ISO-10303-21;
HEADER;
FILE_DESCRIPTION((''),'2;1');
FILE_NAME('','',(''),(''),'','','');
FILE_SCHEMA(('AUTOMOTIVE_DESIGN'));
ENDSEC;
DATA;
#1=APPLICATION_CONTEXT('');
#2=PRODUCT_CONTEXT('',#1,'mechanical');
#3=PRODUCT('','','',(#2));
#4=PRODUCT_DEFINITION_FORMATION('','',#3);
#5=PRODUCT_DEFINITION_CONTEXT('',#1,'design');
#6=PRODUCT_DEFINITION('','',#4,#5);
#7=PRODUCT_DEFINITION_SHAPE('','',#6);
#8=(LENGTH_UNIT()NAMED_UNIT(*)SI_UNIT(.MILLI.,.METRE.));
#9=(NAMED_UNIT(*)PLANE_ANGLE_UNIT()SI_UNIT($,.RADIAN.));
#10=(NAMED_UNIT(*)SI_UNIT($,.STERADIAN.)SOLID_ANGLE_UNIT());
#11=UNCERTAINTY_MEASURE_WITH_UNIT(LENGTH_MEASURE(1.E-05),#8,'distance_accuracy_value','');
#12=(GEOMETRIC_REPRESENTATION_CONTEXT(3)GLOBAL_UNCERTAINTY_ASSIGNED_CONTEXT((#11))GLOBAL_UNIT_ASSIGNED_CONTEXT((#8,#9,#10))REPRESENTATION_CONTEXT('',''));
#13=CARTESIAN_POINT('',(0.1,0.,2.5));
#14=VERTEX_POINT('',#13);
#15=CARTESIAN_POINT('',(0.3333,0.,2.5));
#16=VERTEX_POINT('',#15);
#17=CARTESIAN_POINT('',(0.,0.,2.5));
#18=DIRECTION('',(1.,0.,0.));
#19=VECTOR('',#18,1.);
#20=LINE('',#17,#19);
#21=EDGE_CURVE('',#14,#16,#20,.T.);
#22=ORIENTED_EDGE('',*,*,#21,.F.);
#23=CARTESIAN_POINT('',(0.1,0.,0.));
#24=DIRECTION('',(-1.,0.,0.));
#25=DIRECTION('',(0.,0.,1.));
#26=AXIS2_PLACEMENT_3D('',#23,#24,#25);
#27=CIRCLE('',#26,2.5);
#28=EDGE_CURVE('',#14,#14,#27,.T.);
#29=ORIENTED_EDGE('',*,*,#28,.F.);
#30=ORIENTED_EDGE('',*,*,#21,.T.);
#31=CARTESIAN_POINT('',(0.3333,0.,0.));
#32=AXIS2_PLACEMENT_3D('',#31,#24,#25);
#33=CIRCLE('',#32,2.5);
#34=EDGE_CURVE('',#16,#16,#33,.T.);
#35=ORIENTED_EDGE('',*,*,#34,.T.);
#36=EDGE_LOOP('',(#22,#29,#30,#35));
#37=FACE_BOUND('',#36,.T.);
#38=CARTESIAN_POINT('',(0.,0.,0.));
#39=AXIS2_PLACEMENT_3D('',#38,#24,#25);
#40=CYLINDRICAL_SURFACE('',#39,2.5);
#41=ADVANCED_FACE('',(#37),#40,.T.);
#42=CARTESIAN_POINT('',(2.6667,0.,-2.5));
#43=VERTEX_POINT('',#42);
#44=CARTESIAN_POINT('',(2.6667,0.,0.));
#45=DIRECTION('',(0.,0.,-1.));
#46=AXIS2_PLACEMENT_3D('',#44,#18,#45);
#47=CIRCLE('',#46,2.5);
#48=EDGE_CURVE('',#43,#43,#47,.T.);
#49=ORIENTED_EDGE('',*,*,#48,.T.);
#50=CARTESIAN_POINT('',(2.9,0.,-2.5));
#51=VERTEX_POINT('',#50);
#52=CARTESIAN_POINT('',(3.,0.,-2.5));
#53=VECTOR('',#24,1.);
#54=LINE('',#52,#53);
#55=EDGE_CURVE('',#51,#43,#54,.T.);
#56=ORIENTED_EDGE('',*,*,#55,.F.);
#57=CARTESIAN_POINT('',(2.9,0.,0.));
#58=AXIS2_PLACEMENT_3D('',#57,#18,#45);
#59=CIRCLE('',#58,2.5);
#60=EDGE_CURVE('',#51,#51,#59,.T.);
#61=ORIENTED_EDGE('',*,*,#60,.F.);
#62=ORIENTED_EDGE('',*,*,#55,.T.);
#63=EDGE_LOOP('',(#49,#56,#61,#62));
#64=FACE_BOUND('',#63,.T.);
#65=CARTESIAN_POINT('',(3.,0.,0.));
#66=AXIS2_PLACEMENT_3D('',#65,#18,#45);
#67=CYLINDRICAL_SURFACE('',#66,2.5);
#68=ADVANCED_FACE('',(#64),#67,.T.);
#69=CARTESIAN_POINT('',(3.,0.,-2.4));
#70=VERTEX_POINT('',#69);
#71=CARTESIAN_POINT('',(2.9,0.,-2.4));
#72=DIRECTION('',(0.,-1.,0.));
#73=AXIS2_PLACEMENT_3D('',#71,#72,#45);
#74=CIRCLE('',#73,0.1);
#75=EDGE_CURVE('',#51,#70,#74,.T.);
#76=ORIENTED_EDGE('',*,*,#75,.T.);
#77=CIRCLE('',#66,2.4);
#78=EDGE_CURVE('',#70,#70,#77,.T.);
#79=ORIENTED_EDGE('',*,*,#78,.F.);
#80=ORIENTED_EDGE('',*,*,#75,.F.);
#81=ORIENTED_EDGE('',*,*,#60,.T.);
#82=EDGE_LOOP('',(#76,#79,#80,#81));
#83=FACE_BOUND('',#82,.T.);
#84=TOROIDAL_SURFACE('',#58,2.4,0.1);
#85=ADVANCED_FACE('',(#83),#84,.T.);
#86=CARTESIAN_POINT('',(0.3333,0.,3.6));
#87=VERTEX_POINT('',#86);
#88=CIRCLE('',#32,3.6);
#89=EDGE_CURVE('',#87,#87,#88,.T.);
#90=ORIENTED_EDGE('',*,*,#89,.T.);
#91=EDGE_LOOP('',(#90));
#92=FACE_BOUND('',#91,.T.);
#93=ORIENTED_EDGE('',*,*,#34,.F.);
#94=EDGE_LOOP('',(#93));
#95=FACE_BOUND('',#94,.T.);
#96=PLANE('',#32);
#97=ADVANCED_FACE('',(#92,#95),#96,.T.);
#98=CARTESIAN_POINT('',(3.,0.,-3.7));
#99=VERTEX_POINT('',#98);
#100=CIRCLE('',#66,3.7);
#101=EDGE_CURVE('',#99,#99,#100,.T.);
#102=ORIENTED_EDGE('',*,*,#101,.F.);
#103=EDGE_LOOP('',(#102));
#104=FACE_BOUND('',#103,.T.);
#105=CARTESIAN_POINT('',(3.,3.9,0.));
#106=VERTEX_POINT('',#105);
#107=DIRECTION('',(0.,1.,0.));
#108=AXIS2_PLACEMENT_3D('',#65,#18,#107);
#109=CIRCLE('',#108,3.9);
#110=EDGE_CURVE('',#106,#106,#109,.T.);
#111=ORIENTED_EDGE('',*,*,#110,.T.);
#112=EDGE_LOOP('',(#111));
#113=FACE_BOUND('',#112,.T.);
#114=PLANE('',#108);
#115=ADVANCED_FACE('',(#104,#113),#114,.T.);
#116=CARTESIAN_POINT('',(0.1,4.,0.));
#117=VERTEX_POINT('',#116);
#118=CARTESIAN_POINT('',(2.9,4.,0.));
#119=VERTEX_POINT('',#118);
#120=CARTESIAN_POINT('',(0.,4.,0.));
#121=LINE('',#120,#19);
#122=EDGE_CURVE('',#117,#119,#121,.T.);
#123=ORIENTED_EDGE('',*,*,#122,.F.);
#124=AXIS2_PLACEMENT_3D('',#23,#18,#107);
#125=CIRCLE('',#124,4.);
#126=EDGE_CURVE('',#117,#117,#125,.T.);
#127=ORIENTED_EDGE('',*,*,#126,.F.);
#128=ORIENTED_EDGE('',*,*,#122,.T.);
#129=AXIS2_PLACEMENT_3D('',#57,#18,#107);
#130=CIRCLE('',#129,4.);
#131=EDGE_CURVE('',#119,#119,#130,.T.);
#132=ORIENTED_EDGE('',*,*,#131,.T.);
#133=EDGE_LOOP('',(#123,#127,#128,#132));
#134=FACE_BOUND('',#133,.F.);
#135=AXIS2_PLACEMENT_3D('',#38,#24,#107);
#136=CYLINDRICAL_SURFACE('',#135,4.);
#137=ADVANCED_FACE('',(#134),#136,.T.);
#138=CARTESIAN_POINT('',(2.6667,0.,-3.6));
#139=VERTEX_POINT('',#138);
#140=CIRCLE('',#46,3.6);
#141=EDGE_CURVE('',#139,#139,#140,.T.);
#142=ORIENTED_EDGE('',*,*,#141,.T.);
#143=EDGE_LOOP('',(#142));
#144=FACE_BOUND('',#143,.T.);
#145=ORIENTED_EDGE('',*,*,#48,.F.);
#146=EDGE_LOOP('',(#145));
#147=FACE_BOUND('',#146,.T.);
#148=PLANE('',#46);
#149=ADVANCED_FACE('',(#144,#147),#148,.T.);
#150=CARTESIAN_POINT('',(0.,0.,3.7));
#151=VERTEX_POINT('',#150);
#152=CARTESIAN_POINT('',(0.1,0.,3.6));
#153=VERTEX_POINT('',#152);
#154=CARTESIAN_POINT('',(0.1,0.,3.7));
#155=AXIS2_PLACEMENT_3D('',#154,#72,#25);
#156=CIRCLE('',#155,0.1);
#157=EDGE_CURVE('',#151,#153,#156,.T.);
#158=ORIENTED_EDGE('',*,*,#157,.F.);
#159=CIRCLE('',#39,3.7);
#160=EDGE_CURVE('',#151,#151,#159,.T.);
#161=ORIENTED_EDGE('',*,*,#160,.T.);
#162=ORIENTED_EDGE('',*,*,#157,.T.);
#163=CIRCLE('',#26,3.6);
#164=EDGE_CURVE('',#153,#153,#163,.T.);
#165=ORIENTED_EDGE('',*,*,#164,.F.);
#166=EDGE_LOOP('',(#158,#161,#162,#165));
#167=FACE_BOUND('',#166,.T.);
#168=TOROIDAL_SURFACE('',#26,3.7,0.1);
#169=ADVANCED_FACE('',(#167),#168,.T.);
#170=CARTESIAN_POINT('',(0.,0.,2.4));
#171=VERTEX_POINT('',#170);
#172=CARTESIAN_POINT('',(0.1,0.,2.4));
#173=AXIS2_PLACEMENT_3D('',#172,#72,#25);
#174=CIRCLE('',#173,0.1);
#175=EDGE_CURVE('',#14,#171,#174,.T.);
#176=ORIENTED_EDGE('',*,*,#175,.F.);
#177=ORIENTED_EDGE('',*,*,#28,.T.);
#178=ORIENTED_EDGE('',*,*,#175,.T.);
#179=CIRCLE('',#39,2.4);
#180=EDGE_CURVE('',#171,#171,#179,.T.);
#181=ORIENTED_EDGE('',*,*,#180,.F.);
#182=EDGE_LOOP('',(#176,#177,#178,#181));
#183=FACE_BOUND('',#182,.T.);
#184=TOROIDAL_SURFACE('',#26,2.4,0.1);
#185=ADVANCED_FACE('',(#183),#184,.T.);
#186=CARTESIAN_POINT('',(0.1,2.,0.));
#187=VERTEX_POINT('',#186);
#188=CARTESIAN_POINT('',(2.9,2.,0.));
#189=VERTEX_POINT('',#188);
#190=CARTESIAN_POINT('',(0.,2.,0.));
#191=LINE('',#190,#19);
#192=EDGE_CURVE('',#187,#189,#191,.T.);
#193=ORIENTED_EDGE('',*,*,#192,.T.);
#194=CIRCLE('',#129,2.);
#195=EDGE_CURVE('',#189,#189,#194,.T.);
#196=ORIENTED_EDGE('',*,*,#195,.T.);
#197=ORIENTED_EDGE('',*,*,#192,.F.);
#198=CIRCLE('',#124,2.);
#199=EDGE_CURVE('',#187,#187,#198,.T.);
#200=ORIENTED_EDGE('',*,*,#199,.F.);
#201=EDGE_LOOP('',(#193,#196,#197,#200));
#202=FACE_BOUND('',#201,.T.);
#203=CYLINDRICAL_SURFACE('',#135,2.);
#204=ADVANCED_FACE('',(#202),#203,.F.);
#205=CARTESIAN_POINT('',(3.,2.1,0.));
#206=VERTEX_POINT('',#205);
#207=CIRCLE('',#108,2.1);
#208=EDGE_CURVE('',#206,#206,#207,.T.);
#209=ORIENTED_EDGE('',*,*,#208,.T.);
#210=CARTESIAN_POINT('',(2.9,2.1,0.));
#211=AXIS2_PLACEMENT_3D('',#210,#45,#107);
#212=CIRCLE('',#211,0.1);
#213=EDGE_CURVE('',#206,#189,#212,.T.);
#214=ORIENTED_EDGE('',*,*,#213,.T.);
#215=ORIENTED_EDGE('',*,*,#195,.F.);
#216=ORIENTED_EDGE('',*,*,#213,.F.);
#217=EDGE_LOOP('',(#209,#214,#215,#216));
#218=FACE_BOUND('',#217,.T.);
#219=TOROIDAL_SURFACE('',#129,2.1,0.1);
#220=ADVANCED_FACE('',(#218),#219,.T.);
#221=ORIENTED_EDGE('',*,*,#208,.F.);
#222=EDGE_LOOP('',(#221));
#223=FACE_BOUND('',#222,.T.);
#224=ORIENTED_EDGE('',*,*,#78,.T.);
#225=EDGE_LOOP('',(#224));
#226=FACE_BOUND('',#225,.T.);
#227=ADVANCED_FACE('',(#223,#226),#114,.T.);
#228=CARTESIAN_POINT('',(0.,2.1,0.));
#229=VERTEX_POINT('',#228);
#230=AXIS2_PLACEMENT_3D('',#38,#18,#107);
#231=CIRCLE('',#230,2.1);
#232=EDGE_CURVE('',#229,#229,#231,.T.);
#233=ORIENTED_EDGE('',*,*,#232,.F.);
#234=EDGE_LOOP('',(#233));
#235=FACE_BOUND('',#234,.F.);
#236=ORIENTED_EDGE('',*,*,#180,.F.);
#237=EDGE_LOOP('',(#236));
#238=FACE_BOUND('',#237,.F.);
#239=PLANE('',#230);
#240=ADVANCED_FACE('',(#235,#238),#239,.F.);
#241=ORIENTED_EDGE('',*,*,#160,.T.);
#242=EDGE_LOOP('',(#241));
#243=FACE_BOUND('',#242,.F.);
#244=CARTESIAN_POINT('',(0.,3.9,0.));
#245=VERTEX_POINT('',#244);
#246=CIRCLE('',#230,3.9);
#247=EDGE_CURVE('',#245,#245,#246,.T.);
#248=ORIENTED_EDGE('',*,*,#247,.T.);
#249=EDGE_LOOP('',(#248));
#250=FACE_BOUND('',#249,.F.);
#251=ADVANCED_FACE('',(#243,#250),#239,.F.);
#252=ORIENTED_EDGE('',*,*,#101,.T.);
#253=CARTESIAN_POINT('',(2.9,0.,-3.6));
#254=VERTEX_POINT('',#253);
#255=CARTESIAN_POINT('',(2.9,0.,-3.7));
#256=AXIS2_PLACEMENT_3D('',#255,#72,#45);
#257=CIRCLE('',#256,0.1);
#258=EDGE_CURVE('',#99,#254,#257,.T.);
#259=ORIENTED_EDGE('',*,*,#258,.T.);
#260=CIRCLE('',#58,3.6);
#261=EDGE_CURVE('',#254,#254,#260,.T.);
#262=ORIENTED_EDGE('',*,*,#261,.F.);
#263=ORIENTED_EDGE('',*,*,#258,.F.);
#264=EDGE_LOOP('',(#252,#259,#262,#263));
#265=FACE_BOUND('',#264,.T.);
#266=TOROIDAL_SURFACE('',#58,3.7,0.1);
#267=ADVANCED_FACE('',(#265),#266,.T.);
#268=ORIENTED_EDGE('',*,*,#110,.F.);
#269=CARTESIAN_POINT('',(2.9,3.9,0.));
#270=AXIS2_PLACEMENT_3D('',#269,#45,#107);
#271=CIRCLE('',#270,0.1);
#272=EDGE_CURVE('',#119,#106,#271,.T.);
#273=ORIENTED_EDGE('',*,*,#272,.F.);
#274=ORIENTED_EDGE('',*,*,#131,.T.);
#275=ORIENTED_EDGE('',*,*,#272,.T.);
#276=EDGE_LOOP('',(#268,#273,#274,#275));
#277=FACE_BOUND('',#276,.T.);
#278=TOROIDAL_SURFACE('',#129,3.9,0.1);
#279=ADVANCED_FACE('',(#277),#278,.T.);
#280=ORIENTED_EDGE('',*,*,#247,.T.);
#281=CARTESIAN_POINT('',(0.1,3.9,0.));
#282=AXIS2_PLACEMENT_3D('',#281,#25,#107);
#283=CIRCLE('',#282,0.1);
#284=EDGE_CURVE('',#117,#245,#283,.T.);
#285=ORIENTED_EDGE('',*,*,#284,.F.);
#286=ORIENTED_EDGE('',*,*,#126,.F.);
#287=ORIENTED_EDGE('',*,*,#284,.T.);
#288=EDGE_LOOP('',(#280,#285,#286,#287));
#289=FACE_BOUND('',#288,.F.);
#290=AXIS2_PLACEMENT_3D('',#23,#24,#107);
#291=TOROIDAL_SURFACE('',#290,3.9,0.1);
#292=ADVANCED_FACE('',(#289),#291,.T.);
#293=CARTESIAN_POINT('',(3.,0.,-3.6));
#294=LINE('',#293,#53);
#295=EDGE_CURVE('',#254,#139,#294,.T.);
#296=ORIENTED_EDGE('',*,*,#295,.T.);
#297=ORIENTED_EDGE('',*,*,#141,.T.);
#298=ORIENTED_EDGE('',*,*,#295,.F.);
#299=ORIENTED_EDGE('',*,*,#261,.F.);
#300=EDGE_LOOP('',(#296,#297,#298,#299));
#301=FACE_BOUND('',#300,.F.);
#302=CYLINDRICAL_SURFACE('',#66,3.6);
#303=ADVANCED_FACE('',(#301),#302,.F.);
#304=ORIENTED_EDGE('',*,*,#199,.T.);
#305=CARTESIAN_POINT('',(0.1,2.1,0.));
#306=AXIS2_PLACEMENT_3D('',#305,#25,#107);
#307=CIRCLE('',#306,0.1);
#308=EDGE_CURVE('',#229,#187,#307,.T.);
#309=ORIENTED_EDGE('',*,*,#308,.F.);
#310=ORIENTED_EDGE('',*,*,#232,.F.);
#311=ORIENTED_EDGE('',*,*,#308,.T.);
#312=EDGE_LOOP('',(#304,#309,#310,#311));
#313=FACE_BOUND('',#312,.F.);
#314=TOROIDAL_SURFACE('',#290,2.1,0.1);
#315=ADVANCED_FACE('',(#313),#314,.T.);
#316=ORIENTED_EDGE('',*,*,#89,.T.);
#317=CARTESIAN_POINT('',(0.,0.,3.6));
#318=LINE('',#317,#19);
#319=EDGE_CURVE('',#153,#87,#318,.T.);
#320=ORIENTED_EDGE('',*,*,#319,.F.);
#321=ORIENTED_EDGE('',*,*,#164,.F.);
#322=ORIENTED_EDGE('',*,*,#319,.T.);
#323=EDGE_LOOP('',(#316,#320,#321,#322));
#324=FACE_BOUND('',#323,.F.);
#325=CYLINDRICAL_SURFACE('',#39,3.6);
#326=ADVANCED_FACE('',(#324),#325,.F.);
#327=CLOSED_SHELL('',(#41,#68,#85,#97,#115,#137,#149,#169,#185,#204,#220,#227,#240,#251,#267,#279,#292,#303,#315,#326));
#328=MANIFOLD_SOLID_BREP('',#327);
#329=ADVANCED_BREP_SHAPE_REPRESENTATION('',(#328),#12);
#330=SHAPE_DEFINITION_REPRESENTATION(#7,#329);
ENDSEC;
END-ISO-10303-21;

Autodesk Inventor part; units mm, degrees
ref_plane "YZ Plane" through (0, 0, 0) normal (1, 0, 0) x (0, 1, 0)
ref_plane "XZ Plane" through (0, 0, 0) normal (0, 1, 0) x (-1, 0, 0)
ref_plane "XY Plane" through (0, 0, 0) normal (0, 0, 1) x (1, 0, 0)
sketch "Эскиз1" plane through (0, 0, 0) normal (1, 0, 0) x (0, 1, 0)
  circle A0 centre (0, 0) radius 2
  circle A1 centre (0, 0) radius 4
  dimension "d0" = 4
  dimension "d1" = 8
extrude "Выдавливание1" add sketch "Эскиз1" along normal blind 3
sketch "Эскиз2" plane through (3, 0, 0) normal (1, 0, 0) x (0, 0, -1)
  circle A0 centre (0, 0) radius 2.5
  circle A1 centre (0, 0) radius 3.6
  circle A2 centre (0, 0) radius 4 projected
  circle A3 centre (0, 0) radius 2 projected
  dimension "d4" = 5
  dimension "d5" = 7.2
  dimension "d15" = 8
  dimension "d16" = 4
extrude "Выдавливание2" cut sketch "Эскиз2" against normal blind 0.3333 contours A1
sketch "Эскиз3" plane through (0, 0, 0) normal (-1, 0, 0) x (0, 0, 1)
  circle A0 centre (0, 0) radius 2.5 projected
  circle A1 centre (0, 0) radius 3.6 projected
  circle A2 centre (0, 0) radius 2.5
  circle A3 centre (0, 0) radius 3.6
extrude "Выдавливание3" cut sketch "Эскиз3" against normal blind 0.3333
fillet "Сопряжение1" radius 0.1 8 edges at (3, -4, 0) (3, 0, 3.6) (3, 0, 2.5) (3, -2, 0) (0, -4, 0) (0, 0, -3.6) (0, 0, -2.5) (0, -2, 0)
equation "\"d4\" = 1.25 * d16"
equation "\"d5\" = 0.9 * d15"
equation "\"d6\" = 0.0833333 * d0"
equation "\"d8\" = 0.0833333 * d0"
properties part number "Подшипник 685"
